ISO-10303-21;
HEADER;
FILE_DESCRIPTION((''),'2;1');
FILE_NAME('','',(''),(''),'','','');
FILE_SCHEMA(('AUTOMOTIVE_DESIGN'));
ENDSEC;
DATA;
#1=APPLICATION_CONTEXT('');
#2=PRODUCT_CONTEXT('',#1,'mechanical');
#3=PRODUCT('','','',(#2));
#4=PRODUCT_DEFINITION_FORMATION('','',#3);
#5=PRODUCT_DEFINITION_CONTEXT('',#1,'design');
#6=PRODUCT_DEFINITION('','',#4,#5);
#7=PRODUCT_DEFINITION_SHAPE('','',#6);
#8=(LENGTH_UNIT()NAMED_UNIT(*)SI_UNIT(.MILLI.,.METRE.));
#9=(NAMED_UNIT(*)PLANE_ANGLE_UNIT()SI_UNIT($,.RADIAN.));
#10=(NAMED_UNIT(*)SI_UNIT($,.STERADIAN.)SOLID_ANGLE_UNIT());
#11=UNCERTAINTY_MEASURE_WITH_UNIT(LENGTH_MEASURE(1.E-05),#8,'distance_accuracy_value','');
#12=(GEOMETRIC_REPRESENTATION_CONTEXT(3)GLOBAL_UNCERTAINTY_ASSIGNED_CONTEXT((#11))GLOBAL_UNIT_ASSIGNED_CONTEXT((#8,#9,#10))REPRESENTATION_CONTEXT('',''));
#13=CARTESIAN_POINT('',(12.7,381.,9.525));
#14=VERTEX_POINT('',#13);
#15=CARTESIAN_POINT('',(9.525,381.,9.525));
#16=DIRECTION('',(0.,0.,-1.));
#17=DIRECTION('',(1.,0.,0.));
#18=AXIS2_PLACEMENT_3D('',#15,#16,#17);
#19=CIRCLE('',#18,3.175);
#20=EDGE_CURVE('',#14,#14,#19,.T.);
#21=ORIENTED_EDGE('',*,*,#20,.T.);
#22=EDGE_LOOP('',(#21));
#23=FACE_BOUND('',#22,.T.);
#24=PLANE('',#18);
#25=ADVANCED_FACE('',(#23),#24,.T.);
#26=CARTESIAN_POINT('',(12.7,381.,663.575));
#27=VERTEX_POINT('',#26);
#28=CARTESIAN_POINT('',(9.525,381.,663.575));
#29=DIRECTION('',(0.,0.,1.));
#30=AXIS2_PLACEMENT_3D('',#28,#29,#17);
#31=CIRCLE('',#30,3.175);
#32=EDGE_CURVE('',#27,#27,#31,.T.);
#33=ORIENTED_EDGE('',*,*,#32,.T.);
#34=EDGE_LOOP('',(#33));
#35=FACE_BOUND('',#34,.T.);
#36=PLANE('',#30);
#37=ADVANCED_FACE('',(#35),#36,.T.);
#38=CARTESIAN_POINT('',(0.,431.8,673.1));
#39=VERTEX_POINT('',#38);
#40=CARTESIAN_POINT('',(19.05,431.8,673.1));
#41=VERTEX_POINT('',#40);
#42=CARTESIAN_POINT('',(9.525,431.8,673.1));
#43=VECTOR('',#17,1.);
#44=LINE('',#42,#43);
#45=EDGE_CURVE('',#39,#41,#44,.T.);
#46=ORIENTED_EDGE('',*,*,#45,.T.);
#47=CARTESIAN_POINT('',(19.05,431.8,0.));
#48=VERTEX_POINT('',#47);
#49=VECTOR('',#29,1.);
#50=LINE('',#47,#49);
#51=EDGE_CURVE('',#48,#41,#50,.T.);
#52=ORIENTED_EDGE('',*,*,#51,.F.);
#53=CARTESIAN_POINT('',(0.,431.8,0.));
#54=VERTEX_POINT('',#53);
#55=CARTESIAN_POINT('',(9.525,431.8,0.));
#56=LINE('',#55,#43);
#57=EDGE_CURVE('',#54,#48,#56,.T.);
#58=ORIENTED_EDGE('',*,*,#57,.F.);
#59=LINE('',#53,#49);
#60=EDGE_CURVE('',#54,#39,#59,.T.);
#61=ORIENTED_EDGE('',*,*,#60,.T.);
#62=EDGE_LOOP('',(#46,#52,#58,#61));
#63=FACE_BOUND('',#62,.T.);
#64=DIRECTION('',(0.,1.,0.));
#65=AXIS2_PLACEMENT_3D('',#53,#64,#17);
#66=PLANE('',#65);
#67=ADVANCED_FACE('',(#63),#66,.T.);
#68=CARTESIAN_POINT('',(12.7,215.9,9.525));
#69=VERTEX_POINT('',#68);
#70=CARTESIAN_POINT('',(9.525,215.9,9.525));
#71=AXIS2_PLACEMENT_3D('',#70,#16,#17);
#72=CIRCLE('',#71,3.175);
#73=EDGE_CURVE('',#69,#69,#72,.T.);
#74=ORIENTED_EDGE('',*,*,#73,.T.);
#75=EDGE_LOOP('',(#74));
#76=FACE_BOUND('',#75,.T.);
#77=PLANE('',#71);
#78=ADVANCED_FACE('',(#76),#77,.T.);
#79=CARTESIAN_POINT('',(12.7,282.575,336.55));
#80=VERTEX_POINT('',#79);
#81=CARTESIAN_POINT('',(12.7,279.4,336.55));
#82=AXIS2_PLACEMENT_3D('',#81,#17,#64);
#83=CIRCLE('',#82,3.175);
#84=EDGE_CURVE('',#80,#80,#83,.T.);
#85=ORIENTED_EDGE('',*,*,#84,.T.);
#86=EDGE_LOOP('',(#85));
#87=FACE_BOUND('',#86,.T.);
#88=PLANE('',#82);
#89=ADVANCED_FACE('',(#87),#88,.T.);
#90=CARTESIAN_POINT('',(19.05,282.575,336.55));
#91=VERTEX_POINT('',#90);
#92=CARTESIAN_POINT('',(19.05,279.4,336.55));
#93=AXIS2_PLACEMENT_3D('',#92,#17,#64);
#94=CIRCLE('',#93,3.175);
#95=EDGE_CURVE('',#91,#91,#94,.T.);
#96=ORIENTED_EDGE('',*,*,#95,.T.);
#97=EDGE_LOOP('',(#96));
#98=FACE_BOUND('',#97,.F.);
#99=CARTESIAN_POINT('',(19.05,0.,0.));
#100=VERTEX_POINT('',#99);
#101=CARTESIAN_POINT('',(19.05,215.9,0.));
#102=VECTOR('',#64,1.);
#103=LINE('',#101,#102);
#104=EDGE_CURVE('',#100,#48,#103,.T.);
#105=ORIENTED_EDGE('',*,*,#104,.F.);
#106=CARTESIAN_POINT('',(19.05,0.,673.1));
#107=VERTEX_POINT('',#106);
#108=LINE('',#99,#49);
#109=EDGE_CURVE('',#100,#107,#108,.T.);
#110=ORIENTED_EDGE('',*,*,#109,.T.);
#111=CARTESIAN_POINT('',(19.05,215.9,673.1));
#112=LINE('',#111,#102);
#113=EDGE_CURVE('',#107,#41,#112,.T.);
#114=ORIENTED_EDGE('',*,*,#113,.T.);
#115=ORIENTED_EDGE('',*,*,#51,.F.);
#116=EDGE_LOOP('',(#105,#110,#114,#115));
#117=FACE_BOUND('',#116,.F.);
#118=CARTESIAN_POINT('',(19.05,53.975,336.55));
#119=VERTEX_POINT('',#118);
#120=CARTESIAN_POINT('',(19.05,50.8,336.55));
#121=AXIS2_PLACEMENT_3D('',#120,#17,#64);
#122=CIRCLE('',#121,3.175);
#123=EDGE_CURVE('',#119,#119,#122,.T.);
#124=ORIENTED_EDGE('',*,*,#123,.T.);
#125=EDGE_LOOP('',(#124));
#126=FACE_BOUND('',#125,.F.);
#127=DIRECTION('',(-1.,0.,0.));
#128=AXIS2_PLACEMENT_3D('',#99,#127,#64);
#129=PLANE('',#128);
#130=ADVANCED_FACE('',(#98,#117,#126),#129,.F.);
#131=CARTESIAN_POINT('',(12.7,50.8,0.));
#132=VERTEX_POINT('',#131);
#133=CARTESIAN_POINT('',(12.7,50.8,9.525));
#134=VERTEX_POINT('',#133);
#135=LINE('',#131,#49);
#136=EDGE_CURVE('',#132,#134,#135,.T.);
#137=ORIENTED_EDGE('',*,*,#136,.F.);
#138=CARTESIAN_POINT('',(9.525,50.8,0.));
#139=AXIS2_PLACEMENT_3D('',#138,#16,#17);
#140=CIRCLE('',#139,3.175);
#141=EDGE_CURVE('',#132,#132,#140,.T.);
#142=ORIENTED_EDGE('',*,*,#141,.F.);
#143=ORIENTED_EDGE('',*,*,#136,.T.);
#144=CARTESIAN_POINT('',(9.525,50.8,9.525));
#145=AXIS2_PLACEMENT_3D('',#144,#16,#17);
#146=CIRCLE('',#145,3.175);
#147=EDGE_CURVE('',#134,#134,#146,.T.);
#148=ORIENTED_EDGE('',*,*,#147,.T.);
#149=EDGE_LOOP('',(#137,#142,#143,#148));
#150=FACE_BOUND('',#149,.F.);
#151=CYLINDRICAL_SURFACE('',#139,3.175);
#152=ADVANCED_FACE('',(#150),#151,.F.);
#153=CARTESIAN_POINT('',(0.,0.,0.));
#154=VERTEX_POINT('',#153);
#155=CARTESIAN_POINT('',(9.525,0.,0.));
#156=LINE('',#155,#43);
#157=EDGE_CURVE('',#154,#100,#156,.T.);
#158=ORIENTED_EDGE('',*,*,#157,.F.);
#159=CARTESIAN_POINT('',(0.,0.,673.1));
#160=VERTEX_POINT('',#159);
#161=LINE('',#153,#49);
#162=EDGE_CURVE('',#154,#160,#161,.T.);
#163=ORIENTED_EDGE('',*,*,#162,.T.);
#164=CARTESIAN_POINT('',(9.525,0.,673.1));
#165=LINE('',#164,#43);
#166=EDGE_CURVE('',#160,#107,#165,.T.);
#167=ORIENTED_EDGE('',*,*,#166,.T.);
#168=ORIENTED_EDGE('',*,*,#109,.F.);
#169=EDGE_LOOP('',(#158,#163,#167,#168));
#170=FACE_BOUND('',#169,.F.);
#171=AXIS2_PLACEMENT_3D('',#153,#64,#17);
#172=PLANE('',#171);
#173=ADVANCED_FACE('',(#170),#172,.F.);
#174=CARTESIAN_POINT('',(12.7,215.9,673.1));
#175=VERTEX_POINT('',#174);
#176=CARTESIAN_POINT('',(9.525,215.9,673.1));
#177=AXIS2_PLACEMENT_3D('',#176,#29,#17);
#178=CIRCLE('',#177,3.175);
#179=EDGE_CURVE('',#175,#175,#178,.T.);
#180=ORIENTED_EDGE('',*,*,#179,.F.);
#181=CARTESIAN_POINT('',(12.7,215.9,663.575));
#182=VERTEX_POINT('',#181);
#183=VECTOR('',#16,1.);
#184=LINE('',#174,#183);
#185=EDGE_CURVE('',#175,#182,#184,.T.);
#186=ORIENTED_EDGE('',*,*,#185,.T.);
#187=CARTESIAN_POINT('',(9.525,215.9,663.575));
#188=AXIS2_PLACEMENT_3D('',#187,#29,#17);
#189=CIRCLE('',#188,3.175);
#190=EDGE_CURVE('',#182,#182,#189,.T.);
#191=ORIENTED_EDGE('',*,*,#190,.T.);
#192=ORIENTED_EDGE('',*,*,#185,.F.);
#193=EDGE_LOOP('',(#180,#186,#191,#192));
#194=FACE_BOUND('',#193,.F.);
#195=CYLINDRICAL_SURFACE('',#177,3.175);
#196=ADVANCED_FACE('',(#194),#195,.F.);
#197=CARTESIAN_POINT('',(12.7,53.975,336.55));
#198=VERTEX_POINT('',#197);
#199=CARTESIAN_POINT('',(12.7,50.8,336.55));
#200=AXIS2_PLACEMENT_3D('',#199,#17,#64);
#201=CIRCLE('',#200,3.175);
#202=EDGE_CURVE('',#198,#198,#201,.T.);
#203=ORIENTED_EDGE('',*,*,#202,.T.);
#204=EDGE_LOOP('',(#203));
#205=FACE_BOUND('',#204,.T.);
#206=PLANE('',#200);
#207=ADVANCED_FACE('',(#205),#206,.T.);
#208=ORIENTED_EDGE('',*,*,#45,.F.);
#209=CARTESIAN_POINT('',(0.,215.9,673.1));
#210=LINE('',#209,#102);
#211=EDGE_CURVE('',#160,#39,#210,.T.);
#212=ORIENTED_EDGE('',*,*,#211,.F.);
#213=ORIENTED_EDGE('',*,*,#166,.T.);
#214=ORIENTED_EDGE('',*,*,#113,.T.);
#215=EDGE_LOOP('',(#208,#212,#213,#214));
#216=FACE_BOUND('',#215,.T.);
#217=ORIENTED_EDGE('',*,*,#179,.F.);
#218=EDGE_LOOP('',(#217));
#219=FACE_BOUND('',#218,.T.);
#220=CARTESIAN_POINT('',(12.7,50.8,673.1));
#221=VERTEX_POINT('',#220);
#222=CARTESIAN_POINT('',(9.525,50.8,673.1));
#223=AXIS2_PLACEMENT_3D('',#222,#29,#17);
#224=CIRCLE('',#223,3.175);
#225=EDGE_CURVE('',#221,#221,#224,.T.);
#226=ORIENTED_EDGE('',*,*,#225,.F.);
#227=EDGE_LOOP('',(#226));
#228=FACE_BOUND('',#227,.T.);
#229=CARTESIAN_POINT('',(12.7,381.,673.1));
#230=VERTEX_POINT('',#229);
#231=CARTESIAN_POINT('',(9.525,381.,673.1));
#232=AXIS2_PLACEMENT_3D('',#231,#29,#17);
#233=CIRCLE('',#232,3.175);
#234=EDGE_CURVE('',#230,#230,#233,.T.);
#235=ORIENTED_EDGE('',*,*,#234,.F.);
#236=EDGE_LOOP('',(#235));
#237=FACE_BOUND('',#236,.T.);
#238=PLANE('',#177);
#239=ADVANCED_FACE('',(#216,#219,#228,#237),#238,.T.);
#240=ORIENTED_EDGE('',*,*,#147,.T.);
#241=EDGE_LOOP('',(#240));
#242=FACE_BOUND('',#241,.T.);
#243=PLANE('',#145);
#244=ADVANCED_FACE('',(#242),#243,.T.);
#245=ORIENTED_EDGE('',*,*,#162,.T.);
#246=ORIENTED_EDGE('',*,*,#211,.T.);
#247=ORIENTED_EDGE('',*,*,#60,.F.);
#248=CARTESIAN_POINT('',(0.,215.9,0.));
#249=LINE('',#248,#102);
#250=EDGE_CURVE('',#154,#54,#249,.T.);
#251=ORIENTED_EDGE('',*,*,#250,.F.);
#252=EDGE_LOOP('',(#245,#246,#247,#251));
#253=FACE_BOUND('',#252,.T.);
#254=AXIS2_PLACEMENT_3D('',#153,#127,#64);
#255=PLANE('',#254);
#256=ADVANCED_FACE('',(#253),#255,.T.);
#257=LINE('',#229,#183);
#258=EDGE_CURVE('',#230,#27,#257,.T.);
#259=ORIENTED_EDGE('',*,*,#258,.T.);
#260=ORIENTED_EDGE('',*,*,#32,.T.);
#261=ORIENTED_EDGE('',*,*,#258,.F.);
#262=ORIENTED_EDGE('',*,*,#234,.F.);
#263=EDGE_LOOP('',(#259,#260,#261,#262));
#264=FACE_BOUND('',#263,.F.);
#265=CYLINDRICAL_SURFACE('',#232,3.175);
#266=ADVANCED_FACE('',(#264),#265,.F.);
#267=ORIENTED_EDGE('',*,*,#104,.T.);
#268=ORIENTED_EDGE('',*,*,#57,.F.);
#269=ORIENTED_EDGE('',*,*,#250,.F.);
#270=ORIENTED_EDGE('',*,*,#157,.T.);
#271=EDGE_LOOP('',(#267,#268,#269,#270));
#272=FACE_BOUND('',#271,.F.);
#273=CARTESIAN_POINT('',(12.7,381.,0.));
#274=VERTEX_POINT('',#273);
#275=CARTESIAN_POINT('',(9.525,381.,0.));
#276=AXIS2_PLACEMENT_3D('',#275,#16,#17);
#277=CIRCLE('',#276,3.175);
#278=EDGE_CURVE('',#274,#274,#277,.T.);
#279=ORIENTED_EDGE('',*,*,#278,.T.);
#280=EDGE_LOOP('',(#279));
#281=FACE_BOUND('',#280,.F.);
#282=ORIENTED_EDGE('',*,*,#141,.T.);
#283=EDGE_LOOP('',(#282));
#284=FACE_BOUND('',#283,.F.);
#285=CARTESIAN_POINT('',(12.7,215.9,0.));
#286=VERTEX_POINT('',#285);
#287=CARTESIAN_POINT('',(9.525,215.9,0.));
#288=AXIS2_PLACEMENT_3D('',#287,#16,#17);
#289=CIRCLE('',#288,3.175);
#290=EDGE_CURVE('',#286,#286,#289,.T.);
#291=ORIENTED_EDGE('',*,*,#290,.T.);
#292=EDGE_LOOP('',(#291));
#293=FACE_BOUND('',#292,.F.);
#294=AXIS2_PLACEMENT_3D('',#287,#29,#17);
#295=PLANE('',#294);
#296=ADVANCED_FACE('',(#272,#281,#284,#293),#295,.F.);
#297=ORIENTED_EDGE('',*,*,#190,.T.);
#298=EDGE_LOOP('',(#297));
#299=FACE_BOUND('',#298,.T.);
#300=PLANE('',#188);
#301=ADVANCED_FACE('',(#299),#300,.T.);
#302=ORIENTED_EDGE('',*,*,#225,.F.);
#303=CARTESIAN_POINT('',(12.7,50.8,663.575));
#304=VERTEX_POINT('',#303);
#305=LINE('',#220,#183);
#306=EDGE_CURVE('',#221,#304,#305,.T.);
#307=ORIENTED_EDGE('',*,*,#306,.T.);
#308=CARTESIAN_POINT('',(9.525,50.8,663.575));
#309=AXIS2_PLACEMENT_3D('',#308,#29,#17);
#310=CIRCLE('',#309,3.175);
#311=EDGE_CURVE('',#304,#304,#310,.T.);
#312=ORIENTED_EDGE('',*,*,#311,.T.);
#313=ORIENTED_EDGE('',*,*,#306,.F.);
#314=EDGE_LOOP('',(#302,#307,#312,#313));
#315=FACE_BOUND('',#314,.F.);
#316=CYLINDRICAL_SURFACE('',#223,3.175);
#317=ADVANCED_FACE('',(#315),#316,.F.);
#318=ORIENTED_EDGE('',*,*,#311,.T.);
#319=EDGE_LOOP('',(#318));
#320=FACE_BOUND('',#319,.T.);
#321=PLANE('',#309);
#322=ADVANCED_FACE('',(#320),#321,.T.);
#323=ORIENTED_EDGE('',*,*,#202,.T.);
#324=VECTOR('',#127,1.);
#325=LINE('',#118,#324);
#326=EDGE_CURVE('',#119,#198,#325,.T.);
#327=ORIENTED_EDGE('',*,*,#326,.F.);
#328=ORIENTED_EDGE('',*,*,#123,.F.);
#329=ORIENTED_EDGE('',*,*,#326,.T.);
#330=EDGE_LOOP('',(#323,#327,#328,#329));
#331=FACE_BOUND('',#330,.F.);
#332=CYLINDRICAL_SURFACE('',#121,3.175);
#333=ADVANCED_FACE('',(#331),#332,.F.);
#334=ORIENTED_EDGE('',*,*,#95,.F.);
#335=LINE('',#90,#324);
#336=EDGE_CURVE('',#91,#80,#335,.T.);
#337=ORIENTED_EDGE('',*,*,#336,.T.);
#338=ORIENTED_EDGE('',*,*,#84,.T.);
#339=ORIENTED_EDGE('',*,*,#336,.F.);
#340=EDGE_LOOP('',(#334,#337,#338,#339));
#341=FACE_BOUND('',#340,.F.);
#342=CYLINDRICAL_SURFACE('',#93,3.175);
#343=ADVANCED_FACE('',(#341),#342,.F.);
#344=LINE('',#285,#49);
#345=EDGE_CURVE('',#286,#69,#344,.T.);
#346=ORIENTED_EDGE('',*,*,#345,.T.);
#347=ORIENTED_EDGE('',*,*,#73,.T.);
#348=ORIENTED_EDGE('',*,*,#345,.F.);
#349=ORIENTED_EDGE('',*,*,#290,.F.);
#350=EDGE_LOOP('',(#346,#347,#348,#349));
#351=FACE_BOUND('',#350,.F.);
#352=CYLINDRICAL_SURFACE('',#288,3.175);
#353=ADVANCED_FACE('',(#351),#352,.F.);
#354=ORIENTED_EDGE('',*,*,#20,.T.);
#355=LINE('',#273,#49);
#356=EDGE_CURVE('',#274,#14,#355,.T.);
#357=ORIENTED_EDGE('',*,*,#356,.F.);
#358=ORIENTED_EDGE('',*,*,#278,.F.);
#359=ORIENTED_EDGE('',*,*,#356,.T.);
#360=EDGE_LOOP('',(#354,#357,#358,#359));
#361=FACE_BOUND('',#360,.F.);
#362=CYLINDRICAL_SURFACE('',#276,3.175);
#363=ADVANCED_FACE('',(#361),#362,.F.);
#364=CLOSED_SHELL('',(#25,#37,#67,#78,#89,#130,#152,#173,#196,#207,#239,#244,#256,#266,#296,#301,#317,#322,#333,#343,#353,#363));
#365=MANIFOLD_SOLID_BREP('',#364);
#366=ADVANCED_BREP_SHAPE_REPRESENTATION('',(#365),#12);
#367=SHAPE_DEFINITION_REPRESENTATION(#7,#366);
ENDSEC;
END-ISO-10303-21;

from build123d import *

# Parameters (mm, degrees)
F0_W     = 19.05
F0_H     = 431.8
F1_DEPTH = 673.1
F2_R     = 3.175
F3_DEPTH = 9.525
F4_R     = 3.175
F5_DEPTH = 9.525
F6_R     = 3.175
F7_DEPTH = 6.35


with BuildPart() as f1:
    # F0 (on Top) → F1 (new body)
    with BuildSketch(Plane.XY):
        with Locations((9.525, 215.9)):
            Rectangle(F0_W, F0_H)
    extrude(amount=F1_DEPTH)

    # F2 (on face) → F3 (cut)
    with BuildSketch(Plane(origin=(0, 0, 0), x_dir=(1, 0, 0), z_dir=(0, 0, -1))):
        with Locations((9.525, -50.8)):
            Circle(F2_R)
        with Locations((9.525, -215.9)):
            Circle(F2_R)
        with Locations((9.525, -381)):
            Circle(F2_R)
    extrude(amount=-F3_DEPTH, mode=Mode.SUBTRACT)

    # F4 (on face) → F5 (cut)
    with BuildSketch(Plane.XY.offset(673.1)):
        with Locations((9.525, 381)):
            Circle(F4_R)
        with Locations((9.525, 215.9)):
            Circle(F4_R)
        with Locations((9.525, 50.8)):
            Circle(F4_R)
    extrude(amount=-F5_DEPTH, mode=Mode.SUBTRACT)

    # F6 (on face) → F7 (cut)
    with BuildSketch(Plane.YZ.offset(19.05)):
        with Locations((50.8, 336.55)):
            Circle(F6_R)
        with Locations((279.4, 336.55)):
            Circle(F6_R)
    extrude(amount=-F7_DEPTH, mode=Mode.SUBTRACT)


solid = f1.part
